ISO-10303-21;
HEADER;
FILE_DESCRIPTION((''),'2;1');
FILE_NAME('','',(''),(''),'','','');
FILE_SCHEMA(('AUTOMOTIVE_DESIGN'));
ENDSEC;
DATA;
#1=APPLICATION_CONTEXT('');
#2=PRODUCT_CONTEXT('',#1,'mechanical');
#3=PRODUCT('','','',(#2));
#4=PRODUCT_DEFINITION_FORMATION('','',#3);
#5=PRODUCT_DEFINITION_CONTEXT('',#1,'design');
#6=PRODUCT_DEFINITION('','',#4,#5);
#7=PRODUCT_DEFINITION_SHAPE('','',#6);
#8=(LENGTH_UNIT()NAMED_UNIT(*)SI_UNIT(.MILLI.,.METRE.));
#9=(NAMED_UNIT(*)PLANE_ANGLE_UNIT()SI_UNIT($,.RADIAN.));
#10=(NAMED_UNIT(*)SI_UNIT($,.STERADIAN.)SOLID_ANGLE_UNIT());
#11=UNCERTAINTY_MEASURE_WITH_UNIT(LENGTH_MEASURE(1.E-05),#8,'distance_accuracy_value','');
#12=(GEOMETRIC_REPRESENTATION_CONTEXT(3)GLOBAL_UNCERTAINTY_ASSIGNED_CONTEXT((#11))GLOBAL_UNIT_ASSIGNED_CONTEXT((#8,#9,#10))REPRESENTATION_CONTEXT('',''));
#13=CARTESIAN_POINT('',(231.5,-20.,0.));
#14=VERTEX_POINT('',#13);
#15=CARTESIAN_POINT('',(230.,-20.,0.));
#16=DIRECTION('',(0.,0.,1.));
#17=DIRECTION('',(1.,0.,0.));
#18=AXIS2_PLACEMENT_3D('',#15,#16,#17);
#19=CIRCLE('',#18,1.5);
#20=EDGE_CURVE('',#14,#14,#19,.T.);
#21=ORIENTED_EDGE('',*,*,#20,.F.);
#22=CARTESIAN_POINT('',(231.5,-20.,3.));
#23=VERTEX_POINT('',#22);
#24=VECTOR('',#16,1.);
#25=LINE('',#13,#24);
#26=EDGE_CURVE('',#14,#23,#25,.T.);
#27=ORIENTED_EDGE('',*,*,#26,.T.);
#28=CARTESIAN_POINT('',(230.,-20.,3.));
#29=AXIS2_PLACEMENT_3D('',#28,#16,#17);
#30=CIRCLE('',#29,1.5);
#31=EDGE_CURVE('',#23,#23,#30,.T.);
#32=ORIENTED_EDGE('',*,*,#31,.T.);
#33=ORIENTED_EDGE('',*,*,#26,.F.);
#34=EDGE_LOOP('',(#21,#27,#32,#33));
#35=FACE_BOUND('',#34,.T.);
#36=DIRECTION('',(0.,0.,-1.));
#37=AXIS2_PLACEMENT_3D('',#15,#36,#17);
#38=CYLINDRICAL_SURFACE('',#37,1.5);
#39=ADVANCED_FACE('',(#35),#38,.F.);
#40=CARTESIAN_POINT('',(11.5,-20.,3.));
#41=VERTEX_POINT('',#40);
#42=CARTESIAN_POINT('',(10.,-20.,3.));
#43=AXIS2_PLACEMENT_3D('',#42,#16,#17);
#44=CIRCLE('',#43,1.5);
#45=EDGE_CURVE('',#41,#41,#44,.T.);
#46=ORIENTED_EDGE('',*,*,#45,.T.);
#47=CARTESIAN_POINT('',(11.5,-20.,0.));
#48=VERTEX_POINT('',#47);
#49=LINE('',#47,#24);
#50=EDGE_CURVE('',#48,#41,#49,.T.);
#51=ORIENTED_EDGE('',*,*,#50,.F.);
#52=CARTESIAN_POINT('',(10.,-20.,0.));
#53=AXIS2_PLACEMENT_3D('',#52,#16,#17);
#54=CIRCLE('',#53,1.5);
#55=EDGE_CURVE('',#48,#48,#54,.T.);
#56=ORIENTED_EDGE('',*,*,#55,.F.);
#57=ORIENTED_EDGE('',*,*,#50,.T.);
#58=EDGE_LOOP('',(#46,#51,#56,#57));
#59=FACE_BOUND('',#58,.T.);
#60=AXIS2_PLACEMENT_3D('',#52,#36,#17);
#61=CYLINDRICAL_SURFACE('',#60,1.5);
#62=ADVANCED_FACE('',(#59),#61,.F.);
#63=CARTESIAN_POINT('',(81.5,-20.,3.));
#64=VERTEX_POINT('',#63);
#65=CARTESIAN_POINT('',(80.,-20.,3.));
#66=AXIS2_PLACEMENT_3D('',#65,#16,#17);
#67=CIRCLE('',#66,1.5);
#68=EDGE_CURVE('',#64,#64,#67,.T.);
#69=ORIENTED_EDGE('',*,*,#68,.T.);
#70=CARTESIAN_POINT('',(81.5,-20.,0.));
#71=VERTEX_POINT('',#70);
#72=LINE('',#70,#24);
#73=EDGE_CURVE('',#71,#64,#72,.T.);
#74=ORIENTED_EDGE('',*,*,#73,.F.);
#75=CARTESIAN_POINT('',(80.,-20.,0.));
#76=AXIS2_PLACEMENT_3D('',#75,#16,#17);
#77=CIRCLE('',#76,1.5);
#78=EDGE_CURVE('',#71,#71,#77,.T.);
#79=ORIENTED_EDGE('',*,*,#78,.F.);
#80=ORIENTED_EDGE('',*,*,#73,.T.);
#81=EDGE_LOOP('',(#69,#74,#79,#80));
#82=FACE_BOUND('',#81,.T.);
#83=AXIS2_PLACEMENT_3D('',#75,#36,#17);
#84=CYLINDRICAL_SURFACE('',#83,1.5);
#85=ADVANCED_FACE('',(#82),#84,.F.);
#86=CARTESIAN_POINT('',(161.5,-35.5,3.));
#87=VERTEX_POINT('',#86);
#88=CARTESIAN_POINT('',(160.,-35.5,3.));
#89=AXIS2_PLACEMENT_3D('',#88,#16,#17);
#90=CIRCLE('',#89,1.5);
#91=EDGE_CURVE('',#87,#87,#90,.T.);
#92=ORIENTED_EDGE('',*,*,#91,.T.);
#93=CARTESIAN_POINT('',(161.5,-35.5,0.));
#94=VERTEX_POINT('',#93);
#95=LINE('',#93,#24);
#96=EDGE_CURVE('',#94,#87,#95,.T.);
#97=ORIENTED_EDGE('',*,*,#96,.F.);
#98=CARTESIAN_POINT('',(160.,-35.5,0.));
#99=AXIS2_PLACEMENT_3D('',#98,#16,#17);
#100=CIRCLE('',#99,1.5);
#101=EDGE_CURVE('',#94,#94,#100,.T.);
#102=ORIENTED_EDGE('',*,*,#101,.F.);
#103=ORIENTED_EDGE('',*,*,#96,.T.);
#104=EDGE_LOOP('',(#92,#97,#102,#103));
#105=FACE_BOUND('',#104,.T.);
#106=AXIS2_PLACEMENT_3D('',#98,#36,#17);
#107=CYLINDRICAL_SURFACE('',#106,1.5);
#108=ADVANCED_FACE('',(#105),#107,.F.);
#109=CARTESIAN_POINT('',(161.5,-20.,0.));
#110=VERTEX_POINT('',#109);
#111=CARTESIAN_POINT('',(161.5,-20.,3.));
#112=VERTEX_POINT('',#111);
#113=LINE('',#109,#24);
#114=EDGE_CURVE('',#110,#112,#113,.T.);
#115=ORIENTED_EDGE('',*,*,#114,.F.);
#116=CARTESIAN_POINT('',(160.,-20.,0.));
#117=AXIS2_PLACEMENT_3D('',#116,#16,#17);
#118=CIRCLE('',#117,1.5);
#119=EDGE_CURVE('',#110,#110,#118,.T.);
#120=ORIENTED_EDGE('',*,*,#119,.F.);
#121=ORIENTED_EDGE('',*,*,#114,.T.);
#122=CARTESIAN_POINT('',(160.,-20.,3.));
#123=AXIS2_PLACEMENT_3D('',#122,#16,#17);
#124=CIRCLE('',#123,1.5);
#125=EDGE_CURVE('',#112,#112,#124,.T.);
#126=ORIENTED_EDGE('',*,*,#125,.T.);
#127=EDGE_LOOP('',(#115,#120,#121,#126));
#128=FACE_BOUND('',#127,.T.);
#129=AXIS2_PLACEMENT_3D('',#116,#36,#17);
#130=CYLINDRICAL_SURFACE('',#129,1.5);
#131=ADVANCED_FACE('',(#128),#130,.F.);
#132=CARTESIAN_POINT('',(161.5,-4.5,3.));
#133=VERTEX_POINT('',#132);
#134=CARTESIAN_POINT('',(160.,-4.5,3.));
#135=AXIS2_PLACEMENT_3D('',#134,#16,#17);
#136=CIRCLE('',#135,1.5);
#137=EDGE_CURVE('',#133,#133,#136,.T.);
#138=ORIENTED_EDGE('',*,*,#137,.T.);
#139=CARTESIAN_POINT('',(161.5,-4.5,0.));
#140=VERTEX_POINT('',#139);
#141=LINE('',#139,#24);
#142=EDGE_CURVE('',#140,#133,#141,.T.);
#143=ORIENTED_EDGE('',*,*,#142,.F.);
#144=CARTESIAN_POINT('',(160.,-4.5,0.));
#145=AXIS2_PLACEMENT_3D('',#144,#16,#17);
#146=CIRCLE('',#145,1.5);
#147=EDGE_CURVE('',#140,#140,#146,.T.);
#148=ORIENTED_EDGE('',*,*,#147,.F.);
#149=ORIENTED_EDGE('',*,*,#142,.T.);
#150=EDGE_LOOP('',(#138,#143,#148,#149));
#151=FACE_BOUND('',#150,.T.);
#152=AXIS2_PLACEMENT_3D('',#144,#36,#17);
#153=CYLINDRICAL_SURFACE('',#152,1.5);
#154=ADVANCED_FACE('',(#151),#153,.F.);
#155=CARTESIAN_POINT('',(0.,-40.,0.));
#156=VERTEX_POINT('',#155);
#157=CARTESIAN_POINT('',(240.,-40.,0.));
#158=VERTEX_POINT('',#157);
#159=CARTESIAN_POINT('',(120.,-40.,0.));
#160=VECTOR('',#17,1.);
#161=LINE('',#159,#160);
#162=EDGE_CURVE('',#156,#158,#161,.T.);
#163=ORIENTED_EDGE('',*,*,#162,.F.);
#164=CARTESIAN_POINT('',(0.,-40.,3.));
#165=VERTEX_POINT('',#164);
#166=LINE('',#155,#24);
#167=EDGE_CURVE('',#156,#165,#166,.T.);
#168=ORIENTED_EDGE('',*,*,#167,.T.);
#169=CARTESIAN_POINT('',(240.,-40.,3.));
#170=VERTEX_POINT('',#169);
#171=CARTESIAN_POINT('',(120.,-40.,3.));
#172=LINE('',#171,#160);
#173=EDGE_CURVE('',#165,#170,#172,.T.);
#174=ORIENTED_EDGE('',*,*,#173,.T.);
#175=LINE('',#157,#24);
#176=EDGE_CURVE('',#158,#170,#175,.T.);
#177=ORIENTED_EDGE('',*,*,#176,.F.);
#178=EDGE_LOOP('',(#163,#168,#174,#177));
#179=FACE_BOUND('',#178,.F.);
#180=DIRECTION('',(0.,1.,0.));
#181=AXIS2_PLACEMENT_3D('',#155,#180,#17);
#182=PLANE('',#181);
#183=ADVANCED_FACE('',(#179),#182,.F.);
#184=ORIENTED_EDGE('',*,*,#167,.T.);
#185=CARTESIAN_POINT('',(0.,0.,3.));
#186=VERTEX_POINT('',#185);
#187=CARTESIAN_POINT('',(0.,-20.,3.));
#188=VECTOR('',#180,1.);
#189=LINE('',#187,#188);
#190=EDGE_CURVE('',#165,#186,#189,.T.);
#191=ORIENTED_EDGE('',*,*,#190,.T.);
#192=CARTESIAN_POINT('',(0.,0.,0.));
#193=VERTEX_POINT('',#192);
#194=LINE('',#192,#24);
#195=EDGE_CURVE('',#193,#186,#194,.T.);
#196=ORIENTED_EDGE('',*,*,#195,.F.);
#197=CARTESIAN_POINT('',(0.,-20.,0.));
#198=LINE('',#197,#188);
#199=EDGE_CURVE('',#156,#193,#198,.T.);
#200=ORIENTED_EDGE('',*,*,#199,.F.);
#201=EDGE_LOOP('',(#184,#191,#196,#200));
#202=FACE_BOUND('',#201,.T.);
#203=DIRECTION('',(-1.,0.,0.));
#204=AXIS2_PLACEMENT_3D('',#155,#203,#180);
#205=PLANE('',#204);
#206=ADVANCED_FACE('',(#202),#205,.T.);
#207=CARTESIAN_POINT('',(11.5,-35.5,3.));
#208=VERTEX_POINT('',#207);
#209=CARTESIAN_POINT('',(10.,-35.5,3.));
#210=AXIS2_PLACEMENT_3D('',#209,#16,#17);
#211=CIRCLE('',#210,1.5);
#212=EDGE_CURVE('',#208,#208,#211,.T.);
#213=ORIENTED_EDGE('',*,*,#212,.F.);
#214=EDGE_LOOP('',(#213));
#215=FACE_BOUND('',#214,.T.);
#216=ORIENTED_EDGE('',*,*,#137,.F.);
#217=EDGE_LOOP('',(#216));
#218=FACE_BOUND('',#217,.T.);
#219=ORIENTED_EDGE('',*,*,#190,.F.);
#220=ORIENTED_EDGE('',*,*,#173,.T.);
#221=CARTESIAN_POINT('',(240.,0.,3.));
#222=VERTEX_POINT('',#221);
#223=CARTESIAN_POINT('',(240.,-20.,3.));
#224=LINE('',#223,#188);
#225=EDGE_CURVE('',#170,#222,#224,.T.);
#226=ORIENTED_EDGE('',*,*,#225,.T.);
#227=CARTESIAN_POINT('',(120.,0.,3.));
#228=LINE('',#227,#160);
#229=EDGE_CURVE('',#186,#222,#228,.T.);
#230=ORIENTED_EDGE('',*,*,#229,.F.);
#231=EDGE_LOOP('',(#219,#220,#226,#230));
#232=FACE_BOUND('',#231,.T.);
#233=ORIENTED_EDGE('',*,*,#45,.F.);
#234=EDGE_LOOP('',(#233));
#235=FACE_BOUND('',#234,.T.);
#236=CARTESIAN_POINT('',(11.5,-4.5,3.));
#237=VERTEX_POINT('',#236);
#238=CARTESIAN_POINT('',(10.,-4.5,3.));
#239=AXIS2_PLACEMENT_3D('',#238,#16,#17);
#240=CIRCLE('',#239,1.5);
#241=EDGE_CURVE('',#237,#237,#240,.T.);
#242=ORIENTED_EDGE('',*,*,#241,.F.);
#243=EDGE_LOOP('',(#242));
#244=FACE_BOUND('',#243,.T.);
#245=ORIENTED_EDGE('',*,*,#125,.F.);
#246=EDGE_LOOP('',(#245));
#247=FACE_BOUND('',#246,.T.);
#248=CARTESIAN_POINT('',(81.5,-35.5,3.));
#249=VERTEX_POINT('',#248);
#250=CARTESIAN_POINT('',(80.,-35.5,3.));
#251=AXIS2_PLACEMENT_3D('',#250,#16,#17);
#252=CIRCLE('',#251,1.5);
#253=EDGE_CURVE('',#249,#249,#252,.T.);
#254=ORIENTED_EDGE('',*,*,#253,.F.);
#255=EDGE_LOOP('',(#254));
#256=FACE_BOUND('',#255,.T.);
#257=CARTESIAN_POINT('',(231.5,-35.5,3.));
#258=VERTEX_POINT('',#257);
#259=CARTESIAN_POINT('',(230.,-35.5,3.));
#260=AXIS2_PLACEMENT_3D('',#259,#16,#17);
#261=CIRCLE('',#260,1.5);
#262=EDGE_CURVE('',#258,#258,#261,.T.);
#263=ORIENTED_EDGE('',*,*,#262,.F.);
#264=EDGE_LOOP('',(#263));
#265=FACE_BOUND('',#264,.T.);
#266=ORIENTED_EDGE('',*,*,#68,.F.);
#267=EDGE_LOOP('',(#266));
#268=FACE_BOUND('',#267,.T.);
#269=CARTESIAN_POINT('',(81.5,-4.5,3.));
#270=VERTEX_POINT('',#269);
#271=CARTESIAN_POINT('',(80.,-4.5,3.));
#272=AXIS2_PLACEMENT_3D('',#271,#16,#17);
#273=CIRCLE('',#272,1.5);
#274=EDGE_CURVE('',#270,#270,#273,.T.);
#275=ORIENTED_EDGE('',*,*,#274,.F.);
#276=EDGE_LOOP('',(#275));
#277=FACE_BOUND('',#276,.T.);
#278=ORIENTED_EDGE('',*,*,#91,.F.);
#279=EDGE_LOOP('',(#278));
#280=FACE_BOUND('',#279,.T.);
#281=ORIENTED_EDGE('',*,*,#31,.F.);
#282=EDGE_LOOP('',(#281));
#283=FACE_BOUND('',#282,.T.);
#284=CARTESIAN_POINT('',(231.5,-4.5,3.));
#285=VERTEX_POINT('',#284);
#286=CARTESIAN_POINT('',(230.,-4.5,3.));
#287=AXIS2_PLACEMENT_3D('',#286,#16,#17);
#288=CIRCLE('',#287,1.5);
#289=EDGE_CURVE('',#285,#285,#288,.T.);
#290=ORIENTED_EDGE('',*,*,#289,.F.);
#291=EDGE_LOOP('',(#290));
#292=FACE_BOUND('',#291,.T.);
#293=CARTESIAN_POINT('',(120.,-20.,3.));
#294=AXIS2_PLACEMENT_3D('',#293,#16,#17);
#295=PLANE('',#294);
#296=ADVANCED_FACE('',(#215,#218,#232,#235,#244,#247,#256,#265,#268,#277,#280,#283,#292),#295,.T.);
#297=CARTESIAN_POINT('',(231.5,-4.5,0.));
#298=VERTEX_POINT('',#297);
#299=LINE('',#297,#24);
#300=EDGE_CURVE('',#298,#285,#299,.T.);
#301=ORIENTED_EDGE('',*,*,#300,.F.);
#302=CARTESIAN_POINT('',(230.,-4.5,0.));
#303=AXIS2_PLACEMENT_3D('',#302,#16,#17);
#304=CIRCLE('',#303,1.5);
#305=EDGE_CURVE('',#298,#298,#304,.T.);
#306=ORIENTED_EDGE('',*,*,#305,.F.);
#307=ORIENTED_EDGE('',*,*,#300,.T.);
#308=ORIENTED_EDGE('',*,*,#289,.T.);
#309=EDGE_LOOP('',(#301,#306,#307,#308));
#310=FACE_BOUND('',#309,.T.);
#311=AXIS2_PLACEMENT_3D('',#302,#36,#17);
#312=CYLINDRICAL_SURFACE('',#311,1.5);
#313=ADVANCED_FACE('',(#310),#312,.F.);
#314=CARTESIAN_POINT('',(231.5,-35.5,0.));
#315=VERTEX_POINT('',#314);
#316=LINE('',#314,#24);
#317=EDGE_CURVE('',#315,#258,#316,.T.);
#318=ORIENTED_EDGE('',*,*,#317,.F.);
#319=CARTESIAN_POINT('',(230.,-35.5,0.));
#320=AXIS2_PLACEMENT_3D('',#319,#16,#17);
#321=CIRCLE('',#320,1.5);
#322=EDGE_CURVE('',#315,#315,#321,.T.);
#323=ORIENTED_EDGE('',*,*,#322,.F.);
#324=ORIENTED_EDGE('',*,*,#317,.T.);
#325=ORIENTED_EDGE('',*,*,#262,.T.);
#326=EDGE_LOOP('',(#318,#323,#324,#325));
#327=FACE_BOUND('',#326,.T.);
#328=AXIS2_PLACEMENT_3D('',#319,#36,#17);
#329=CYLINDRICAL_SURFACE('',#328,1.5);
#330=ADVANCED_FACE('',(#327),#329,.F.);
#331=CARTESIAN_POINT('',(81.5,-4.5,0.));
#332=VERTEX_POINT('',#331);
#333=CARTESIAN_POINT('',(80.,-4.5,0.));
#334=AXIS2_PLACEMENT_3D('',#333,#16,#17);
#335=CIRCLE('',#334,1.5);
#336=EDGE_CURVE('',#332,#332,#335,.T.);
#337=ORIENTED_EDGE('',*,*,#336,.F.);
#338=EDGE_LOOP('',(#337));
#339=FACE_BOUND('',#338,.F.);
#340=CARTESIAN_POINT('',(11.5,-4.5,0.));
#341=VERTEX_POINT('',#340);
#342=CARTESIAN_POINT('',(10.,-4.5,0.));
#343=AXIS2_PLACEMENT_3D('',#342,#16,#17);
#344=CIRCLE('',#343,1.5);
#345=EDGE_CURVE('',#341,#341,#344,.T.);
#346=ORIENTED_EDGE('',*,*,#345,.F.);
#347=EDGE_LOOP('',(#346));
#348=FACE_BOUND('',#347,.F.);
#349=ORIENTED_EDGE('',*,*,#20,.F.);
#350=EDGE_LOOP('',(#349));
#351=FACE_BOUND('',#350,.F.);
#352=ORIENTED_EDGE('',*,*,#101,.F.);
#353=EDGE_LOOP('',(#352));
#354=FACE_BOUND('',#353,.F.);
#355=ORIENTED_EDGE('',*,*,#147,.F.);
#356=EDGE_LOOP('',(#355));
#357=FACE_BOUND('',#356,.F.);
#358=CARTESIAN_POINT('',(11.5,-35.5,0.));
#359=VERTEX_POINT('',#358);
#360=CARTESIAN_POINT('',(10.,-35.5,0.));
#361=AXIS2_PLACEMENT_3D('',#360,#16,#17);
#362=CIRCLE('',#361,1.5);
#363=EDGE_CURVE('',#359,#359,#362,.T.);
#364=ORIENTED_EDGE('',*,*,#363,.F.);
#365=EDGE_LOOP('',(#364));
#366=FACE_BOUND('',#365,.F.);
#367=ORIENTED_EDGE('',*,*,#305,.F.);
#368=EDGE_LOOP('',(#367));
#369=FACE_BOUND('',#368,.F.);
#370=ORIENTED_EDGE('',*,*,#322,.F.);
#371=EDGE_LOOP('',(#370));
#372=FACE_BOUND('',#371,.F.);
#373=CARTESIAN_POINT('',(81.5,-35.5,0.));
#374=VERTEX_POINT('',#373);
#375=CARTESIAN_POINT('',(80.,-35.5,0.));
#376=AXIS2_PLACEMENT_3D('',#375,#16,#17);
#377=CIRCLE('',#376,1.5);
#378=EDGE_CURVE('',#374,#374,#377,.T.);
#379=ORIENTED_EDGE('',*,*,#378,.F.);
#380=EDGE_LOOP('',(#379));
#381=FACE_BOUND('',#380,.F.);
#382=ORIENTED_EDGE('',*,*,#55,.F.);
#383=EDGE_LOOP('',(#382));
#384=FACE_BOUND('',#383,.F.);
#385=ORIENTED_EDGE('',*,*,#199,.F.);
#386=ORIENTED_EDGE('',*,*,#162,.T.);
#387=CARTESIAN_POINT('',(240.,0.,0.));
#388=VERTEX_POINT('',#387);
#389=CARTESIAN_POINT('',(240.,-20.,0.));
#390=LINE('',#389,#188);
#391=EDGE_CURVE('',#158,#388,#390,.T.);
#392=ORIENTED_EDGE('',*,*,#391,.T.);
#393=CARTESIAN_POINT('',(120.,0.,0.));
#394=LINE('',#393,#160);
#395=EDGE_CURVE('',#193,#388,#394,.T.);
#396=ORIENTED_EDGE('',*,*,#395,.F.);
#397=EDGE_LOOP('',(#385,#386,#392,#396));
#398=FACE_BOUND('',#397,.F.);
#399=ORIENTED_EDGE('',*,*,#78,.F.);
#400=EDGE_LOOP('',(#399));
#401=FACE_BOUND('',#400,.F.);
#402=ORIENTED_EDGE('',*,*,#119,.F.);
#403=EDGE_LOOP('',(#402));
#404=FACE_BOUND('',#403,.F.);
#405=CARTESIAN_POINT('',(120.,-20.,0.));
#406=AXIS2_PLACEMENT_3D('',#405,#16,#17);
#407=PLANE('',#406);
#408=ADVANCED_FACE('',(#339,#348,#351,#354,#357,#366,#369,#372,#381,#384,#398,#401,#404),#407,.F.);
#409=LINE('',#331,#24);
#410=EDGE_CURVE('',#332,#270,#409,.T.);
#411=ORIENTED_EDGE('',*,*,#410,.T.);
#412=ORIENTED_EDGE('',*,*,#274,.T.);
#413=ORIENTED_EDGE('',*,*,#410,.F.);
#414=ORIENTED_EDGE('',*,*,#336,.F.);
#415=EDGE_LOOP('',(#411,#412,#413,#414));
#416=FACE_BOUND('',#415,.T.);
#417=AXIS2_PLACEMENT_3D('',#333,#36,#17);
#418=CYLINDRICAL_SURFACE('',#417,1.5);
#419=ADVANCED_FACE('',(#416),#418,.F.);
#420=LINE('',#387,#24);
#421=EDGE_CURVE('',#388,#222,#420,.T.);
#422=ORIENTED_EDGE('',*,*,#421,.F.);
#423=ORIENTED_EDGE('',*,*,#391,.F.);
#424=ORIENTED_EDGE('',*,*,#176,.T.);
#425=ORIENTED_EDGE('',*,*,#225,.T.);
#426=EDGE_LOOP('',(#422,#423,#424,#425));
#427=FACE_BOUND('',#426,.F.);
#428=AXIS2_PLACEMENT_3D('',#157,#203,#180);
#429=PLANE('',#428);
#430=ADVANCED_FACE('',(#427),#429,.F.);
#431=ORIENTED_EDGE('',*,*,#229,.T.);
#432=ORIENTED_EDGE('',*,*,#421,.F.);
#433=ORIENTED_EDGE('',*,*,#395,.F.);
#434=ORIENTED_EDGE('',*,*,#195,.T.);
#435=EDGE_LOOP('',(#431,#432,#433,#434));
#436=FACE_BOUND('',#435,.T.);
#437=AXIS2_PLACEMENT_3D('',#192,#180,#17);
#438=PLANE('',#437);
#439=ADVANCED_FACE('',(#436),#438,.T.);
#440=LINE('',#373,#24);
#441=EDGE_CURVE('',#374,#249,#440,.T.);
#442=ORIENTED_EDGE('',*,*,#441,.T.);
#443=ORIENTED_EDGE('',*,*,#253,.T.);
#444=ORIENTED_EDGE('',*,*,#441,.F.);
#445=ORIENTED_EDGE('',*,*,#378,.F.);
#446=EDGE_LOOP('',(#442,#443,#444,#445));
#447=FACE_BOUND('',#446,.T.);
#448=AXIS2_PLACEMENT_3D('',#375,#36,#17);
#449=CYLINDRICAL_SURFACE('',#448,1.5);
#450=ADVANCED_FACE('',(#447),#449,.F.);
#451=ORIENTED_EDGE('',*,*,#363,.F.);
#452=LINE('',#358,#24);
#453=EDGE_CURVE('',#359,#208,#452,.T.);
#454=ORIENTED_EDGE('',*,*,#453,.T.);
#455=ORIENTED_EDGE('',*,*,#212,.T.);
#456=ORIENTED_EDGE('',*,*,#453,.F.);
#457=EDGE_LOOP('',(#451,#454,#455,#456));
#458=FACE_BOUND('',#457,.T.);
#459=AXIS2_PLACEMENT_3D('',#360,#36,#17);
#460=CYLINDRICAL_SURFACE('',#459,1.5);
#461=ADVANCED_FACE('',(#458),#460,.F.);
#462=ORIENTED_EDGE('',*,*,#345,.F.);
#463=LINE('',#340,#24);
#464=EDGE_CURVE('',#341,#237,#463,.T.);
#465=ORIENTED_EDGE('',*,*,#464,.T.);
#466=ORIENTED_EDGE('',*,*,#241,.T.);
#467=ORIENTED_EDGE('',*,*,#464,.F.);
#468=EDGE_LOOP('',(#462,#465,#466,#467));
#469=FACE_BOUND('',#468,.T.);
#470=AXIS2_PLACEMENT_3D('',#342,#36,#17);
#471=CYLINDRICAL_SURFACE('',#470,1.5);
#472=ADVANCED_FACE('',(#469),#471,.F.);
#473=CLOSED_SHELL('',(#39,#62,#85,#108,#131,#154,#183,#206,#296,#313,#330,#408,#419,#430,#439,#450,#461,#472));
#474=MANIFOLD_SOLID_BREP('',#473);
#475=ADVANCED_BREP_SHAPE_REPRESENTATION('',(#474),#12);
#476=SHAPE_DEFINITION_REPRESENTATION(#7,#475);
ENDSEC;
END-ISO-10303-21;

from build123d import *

# Parameters (mm, degrees)
SKETCH_W  = 240
SKETCH_H  = 40
SKETCH_R  = 1.5
PAD_DEPTH = 3


with BuildPart() as part:
    # Sketch → Pad (new body)
    with BuildSketch(Plane.XY):
        with Locations((120, -20)):
            Rectangle(SKETCH_W, SKETCH_H)
        with Locations((10, -4.5)):
            Circle(SKETCH_R, mode=Mode.SUBTRACT)
        with Locations((10, -20)):
            Circle(SKETCH_R, mode=Mode.SUBTRACT)
        with Locations((10, -35.5)):
            Circle(SKETCH_R, mode=Mode.SUBTRACT)
        with Locations((80, -4.5)):
            Circle(SKETCH_R, mode=Mode.SUBTRACT)
        with Locations((80, -20)):
            Circle(SKETCH_R, mode=Mode.SUBTRACT)
        with Locations((80, -35.5)):
            Circle(SKETCH_R, mode=Mode.SUBTRACT)
        with Locations((160, -4.5)):
            Circle(SKETCH_R, mode=Mode.SUBTRACT)
        with Locations((160, -20)):
            Circle(SKETCH_R, mode=Mode.SUBTRACT)
        with Locations((160, -35.5)):
            Circle(SKETCH_R, mode=Mode.SUBTRACT)
        with Locations((230, -4.5)):
            Circle(SKETCH_R, mode=Mode.SUBTRACT)
        with Locations((230, -20)):
            Circle(SKETCH_R, mode=Mode.SUBTRACT)
        with Locations((230, -35.5)):
            Circle(SKETCH_R, mode=Mode.SUBTRACT)
    extrude(amount=PAD_DEPTH)


solid = part.part
